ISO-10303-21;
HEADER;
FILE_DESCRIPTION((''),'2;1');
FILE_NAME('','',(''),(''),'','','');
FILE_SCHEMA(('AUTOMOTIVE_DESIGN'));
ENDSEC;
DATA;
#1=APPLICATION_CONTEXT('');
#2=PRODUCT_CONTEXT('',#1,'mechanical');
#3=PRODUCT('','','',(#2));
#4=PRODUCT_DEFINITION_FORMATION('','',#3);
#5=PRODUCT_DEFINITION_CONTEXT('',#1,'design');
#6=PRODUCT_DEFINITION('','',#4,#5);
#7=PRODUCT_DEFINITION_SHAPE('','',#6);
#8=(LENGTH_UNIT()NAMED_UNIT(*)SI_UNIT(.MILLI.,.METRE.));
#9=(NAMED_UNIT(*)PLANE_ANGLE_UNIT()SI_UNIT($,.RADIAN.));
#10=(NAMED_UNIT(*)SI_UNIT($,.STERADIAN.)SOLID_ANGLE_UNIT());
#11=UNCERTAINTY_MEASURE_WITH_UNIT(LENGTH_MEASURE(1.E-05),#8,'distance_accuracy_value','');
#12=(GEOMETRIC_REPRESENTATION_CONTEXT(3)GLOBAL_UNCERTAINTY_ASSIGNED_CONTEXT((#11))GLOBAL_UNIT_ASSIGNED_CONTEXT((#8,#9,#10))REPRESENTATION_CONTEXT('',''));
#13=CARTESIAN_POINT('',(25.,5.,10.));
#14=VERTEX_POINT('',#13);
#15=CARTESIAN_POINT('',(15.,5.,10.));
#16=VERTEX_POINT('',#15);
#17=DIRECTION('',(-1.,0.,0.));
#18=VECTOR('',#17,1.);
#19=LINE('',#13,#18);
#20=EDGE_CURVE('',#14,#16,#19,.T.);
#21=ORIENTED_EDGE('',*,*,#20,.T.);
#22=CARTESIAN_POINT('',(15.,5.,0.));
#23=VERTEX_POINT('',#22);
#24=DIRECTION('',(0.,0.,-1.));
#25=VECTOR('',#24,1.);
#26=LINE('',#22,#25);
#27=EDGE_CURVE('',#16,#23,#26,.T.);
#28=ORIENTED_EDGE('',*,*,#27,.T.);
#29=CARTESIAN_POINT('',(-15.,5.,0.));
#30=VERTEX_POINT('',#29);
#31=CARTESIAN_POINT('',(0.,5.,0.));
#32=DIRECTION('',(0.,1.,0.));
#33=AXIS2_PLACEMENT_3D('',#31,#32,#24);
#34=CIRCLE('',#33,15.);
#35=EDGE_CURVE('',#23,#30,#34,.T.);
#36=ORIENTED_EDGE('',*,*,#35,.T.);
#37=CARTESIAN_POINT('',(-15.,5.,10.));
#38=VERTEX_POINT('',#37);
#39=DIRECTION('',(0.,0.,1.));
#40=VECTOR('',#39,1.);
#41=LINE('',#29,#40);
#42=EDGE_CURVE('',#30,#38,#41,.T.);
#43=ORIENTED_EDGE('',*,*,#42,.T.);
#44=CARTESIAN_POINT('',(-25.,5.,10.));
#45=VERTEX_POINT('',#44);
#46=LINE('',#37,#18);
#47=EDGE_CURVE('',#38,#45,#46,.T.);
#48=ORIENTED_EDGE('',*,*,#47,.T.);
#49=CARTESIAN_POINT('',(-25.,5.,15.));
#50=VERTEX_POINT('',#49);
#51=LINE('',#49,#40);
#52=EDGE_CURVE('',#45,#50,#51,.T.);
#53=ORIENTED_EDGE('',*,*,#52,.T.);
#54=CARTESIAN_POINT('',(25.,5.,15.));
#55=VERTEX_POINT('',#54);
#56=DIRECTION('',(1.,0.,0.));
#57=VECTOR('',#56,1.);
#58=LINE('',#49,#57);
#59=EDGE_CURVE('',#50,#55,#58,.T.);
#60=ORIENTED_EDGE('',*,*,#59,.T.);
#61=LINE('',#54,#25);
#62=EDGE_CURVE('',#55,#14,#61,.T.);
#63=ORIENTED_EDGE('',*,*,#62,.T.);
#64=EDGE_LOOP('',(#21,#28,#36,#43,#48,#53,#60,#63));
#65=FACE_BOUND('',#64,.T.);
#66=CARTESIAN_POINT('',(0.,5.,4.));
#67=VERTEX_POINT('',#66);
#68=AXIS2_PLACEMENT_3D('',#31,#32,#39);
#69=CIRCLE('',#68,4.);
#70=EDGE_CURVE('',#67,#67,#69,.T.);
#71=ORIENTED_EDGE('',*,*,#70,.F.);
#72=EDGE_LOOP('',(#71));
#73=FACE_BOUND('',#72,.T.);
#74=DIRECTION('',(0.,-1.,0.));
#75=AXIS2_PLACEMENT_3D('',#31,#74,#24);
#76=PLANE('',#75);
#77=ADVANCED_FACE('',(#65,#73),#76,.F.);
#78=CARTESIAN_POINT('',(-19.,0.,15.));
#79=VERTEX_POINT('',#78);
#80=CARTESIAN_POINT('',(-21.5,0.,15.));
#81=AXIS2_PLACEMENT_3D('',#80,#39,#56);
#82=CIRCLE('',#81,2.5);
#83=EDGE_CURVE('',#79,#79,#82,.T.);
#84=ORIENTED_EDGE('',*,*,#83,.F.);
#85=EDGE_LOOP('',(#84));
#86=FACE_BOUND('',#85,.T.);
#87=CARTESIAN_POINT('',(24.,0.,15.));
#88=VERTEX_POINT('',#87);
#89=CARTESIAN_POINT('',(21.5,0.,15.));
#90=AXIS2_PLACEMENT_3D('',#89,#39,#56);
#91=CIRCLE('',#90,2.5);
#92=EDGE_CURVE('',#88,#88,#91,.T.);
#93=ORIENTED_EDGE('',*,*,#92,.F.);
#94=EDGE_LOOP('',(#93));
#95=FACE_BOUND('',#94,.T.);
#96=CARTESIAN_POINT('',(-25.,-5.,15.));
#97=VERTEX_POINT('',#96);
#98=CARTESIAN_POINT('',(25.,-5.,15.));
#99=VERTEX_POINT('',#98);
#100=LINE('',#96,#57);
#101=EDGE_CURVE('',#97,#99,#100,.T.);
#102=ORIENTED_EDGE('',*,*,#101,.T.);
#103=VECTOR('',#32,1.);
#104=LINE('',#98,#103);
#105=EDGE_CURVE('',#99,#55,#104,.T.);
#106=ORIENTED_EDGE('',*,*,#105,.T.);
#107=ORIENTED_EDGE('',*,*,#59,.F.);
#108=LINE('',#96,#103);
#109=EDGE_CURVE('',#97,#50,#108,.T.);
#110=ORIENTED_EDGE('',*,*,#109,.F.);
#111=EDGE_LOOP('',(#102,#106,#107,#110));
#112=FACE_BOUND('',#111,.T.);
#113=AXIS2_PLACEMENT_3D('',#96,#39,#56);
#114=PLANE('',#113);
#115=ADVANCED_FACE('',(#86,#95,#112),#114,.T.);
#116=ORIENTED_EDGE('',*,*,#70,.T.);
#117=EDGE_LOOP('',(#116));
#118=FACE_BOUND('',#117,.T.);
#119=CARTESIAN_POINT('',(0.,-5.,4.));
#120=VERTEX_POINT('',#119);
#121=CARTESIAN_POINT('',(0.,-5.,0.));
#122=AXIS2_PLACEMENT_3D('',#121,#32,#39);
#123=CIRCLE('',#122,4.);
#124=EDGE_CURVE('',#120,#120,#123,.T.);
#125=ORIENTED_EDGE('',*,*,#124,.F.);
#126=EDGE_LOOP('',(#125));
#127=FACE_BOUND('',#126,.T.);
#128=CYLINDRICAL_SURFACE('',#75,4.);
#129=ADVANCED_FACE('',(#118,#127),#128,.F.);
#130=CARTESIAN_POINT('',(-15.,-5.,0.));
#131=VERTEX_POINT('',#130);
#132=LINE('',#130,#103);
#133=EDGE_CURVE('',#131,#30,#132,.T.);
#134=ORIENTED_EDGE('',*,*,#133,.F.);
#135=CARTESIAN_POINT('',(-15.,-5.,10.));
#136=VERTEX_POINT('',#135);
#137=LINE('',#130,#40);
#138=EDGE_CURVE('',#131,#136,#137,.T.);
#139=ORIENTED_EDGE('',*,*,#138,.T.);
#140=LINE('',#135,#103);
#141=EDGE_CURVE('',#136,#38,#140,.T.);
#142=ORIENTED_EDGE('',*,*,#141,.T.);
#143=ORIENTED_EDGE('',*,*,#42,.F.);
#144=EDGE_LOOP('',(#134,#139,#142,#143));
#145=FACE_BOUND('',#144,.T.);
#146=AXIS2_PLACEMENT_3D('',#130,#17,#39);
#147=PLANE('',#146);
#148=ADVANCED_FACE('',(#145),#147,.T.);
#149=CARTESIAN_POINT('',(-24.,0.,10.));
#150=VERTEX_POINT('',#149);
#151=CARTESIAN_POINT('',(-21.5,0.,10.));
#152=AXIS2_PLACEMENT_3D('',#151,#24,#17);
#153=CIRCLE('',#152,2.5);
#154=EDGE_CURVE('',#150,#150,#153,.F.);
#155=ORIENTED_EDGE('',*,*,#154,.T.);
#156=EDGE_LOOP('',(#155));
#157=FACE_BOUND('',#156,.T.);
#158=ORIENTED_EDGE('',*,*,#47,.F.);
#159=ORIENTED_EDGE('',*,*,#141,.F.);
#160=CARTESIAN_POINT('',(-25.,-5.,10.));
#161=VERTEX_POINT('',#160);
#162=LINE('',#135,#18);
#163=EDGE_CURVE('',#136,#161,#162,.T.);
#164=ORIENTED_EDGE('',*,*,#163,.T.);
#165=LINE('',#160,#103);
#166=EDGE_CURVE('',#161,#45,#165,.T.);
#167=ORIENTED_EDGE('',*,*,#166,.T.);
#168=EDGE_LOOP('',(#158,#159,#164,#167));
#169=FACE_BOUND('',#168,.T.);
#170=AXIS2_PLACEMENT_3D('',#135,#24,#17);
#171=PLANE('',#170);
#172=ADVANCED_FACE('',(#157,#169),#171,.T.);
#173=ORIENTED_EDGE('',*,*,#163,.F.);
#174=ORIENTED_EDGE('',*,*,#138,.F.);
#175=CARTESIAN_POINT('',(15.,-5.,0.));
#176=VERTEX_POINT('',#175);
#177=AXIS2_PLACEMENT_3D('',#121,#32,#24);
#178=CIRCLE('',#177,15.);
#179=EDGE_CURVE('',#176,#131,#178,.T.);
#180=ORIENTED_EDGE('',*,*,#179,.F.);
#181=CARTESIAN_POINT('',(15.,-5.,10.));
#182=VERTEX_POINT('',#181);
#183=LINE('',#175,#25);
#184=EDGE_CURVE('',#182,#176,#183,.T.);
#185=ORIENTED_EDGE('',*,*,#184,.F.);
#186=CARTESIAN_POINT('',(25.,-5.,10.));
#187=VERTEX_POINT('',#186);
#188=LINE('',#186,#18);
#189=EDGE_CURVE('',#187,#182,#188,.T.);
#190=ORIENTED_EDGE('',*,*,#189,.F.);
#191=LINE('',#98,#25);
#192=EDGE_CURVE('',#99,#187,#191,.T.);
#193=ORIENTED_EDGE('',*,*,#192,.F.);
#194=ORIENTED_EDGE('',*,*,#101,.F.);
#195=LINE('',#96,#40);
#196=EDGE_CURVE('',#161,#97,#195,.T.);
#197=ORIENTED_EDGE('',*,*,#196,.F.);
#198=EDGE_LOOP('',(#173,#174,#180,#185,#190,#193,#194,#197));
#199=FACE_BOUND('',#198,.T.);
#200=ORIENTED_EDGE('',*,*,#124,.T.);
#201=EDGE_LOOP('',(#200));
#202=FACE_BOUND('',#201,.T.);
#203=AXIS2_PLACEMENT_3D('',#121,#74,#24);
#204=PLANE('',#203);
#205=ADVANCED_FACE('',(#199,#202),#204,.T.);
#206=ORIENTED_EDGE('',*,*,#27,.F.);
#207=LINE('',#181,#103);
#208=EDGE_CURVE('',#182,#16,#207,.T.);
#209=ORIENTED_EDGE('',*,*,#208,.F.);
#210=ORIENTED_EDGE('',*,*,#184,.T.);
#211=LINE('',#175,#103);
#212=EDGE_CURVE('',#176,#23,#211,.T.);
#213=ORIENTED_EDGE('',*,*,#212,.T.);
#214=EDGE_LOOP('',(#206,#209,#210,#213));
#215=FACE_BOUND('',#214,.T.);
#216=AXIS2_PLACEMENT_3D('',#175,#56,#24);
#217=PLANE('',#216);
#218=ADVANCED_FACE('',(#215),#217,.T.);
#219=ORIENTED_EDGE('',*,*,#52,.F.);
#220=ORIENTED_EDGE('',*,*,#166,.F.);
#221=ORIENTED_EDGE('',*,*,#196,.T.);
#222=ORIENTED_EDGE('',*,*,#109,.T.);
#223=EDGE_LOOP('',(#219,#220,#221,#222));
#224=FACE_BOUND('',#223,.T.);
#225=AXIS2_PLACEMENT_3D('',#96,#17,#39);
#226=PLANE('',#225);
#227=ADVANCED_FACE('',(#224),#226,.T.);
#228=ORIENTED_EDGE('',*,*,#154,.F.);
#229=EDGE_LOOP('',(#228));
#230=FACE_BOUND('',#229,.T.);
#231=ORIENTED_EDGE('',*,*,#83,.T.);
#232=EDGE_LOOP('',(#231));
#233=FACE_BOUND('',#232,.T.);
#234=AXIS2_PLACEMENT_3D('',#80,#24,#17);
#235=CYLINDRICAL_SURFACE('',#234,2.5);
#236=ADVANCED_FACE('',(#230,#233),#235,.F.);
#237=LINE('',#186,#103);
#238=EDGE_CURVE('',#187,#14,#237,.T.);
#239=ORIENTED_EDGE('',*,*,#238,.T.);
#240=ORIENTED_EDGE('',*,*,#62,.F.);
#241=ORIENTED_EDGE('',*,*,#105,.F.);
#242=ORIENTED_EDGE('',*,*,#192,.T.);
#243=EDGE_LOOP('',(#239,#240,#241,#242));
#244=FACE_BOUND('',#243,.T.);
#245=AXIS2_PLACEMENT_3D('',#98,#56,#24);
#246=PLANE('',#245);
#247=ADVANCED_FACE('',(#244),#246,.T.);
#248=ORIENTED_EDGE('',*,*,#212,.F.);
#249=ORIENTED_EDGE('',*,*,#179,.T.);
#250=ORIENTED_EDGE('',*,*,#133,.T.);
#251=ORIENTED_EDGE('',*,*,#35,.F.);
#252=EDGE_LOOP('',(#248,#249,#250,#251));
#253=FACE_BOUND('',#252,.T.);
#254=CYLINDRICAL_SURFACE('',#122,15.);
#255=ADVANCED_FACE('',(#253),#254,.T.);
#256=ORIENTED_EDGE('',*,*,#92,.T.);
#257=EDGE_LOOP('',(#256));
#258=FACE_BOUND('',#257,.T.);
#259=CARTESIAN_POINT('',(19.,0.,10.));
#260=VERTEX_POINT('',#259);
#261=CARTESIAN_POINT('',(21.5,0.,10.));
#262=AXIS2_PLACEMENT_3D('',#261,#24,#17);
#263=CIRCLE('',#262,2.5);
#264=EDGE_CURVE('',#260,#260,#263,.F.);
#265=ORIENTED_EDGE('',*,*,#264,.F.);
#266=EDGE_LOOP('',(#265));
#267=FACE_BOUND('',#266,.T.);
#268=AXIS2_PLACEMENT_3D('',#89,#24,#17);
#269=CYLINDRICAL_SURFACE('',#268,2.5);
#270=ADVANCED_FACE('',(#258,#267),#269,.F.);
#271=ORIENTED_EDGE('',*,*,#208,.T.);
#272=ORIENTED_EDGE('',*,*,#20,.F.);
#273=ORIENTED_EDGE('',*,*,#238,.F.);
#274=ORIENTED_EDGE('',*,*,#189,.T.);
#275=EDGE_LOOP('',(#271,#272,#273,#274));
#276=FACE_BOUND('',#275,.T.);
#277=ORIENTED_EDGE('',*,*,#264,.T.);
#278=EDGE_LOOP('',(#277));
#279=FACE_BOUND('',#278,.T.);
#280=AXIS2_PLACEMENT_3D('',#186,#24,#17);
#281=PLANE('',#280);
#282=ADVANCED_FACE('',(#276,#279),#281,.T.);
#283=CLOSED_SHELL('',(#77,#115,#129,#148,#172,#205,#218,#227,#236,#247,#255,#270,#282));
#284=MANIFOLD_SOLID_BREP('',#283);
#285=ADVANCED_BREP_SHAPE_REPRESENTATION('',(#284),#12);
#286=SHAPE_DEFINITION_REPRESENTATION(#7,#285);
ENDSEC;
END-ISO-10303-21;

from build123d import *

# Parameters (mm, degrees)
RESSALTO_EXTRUS_O1_DEPTH      = 5
RESSALTO_EXTRUS_O1_DEPTH_BACK = 5
CORTE_EXTRUS_O1_DEPTH         = 5
CORTE_EXTRUS_O1_DEPTH_BACK    = 5
ESBO_O2_R                     = 4
ESBO_O3_R                     = 2.5
CORTE_EXTRUS_O2_DEPTH         = 30.580398915


with BuildPart() as part:
    # Esboço1 → Ressalto-extrusão1 (new, two sides: drawn at the far end of the back side and taken through both)
    with BuildSketch(Plane(origin=(0, 0, 0), x_dir=(1, 0, 0), z_dir=(0, 1, 0)).offset(-RESSALTO_EXTRUS_O1_DEPTH_BACK)):
        with BuildLine():
            Line((-15, 0), (-15, -10))
            Line((-15, -10), (-25, -10))
            Line((-25, -10), (-25, -15))
            Line((-25, -15), (25, -15))
            Line((25, -15), (25, -10))
            Line((25, -10), (15, -10))
            Line((15, -10), (15, 0))
            ThreePointArc((15, 0), (0, 15), (-15, 0))
        make_face()
    extrude(amount=RESSALTO_EXTRUS_O1_DEPTH + RESSALTO_EXTRUS_O1_DEPTH_BACK)

    # Esboço2 → Corte-extrusão1 (cut, two sides: drawn at the far end of the back side and taken through both)
    with BuildSketch(Plane(origin=(0, 0, 0), x_dir=(1, 0, 0), z_dir=(0, 1, 0)).offset(-CORTE_EXTRUS_O1_DEPTH_BACK)):
        Circle(ESBO_O2_R)
    extrude(amount=CORTE_EXTRUS_O1_DEPTH + CORTE_EXTRUS_O1_DEPTH_BACK, mode=Mode.SUBTRACT)

    # Esboço3 → Corte-extrusão2 (cut, through all)
    with BuildSketch(Plane.XY):
        with Locations((21.5, 0)):
            Circle(ESBO_O3_R)
        with Locations((-21.5, 0)):
            Circle(ESBO_O3_R)
    extrude(amount=CORTE_EXTRUS_O2_DEPTH, mode=Mode.SUBTRACT)


solid = part.part
